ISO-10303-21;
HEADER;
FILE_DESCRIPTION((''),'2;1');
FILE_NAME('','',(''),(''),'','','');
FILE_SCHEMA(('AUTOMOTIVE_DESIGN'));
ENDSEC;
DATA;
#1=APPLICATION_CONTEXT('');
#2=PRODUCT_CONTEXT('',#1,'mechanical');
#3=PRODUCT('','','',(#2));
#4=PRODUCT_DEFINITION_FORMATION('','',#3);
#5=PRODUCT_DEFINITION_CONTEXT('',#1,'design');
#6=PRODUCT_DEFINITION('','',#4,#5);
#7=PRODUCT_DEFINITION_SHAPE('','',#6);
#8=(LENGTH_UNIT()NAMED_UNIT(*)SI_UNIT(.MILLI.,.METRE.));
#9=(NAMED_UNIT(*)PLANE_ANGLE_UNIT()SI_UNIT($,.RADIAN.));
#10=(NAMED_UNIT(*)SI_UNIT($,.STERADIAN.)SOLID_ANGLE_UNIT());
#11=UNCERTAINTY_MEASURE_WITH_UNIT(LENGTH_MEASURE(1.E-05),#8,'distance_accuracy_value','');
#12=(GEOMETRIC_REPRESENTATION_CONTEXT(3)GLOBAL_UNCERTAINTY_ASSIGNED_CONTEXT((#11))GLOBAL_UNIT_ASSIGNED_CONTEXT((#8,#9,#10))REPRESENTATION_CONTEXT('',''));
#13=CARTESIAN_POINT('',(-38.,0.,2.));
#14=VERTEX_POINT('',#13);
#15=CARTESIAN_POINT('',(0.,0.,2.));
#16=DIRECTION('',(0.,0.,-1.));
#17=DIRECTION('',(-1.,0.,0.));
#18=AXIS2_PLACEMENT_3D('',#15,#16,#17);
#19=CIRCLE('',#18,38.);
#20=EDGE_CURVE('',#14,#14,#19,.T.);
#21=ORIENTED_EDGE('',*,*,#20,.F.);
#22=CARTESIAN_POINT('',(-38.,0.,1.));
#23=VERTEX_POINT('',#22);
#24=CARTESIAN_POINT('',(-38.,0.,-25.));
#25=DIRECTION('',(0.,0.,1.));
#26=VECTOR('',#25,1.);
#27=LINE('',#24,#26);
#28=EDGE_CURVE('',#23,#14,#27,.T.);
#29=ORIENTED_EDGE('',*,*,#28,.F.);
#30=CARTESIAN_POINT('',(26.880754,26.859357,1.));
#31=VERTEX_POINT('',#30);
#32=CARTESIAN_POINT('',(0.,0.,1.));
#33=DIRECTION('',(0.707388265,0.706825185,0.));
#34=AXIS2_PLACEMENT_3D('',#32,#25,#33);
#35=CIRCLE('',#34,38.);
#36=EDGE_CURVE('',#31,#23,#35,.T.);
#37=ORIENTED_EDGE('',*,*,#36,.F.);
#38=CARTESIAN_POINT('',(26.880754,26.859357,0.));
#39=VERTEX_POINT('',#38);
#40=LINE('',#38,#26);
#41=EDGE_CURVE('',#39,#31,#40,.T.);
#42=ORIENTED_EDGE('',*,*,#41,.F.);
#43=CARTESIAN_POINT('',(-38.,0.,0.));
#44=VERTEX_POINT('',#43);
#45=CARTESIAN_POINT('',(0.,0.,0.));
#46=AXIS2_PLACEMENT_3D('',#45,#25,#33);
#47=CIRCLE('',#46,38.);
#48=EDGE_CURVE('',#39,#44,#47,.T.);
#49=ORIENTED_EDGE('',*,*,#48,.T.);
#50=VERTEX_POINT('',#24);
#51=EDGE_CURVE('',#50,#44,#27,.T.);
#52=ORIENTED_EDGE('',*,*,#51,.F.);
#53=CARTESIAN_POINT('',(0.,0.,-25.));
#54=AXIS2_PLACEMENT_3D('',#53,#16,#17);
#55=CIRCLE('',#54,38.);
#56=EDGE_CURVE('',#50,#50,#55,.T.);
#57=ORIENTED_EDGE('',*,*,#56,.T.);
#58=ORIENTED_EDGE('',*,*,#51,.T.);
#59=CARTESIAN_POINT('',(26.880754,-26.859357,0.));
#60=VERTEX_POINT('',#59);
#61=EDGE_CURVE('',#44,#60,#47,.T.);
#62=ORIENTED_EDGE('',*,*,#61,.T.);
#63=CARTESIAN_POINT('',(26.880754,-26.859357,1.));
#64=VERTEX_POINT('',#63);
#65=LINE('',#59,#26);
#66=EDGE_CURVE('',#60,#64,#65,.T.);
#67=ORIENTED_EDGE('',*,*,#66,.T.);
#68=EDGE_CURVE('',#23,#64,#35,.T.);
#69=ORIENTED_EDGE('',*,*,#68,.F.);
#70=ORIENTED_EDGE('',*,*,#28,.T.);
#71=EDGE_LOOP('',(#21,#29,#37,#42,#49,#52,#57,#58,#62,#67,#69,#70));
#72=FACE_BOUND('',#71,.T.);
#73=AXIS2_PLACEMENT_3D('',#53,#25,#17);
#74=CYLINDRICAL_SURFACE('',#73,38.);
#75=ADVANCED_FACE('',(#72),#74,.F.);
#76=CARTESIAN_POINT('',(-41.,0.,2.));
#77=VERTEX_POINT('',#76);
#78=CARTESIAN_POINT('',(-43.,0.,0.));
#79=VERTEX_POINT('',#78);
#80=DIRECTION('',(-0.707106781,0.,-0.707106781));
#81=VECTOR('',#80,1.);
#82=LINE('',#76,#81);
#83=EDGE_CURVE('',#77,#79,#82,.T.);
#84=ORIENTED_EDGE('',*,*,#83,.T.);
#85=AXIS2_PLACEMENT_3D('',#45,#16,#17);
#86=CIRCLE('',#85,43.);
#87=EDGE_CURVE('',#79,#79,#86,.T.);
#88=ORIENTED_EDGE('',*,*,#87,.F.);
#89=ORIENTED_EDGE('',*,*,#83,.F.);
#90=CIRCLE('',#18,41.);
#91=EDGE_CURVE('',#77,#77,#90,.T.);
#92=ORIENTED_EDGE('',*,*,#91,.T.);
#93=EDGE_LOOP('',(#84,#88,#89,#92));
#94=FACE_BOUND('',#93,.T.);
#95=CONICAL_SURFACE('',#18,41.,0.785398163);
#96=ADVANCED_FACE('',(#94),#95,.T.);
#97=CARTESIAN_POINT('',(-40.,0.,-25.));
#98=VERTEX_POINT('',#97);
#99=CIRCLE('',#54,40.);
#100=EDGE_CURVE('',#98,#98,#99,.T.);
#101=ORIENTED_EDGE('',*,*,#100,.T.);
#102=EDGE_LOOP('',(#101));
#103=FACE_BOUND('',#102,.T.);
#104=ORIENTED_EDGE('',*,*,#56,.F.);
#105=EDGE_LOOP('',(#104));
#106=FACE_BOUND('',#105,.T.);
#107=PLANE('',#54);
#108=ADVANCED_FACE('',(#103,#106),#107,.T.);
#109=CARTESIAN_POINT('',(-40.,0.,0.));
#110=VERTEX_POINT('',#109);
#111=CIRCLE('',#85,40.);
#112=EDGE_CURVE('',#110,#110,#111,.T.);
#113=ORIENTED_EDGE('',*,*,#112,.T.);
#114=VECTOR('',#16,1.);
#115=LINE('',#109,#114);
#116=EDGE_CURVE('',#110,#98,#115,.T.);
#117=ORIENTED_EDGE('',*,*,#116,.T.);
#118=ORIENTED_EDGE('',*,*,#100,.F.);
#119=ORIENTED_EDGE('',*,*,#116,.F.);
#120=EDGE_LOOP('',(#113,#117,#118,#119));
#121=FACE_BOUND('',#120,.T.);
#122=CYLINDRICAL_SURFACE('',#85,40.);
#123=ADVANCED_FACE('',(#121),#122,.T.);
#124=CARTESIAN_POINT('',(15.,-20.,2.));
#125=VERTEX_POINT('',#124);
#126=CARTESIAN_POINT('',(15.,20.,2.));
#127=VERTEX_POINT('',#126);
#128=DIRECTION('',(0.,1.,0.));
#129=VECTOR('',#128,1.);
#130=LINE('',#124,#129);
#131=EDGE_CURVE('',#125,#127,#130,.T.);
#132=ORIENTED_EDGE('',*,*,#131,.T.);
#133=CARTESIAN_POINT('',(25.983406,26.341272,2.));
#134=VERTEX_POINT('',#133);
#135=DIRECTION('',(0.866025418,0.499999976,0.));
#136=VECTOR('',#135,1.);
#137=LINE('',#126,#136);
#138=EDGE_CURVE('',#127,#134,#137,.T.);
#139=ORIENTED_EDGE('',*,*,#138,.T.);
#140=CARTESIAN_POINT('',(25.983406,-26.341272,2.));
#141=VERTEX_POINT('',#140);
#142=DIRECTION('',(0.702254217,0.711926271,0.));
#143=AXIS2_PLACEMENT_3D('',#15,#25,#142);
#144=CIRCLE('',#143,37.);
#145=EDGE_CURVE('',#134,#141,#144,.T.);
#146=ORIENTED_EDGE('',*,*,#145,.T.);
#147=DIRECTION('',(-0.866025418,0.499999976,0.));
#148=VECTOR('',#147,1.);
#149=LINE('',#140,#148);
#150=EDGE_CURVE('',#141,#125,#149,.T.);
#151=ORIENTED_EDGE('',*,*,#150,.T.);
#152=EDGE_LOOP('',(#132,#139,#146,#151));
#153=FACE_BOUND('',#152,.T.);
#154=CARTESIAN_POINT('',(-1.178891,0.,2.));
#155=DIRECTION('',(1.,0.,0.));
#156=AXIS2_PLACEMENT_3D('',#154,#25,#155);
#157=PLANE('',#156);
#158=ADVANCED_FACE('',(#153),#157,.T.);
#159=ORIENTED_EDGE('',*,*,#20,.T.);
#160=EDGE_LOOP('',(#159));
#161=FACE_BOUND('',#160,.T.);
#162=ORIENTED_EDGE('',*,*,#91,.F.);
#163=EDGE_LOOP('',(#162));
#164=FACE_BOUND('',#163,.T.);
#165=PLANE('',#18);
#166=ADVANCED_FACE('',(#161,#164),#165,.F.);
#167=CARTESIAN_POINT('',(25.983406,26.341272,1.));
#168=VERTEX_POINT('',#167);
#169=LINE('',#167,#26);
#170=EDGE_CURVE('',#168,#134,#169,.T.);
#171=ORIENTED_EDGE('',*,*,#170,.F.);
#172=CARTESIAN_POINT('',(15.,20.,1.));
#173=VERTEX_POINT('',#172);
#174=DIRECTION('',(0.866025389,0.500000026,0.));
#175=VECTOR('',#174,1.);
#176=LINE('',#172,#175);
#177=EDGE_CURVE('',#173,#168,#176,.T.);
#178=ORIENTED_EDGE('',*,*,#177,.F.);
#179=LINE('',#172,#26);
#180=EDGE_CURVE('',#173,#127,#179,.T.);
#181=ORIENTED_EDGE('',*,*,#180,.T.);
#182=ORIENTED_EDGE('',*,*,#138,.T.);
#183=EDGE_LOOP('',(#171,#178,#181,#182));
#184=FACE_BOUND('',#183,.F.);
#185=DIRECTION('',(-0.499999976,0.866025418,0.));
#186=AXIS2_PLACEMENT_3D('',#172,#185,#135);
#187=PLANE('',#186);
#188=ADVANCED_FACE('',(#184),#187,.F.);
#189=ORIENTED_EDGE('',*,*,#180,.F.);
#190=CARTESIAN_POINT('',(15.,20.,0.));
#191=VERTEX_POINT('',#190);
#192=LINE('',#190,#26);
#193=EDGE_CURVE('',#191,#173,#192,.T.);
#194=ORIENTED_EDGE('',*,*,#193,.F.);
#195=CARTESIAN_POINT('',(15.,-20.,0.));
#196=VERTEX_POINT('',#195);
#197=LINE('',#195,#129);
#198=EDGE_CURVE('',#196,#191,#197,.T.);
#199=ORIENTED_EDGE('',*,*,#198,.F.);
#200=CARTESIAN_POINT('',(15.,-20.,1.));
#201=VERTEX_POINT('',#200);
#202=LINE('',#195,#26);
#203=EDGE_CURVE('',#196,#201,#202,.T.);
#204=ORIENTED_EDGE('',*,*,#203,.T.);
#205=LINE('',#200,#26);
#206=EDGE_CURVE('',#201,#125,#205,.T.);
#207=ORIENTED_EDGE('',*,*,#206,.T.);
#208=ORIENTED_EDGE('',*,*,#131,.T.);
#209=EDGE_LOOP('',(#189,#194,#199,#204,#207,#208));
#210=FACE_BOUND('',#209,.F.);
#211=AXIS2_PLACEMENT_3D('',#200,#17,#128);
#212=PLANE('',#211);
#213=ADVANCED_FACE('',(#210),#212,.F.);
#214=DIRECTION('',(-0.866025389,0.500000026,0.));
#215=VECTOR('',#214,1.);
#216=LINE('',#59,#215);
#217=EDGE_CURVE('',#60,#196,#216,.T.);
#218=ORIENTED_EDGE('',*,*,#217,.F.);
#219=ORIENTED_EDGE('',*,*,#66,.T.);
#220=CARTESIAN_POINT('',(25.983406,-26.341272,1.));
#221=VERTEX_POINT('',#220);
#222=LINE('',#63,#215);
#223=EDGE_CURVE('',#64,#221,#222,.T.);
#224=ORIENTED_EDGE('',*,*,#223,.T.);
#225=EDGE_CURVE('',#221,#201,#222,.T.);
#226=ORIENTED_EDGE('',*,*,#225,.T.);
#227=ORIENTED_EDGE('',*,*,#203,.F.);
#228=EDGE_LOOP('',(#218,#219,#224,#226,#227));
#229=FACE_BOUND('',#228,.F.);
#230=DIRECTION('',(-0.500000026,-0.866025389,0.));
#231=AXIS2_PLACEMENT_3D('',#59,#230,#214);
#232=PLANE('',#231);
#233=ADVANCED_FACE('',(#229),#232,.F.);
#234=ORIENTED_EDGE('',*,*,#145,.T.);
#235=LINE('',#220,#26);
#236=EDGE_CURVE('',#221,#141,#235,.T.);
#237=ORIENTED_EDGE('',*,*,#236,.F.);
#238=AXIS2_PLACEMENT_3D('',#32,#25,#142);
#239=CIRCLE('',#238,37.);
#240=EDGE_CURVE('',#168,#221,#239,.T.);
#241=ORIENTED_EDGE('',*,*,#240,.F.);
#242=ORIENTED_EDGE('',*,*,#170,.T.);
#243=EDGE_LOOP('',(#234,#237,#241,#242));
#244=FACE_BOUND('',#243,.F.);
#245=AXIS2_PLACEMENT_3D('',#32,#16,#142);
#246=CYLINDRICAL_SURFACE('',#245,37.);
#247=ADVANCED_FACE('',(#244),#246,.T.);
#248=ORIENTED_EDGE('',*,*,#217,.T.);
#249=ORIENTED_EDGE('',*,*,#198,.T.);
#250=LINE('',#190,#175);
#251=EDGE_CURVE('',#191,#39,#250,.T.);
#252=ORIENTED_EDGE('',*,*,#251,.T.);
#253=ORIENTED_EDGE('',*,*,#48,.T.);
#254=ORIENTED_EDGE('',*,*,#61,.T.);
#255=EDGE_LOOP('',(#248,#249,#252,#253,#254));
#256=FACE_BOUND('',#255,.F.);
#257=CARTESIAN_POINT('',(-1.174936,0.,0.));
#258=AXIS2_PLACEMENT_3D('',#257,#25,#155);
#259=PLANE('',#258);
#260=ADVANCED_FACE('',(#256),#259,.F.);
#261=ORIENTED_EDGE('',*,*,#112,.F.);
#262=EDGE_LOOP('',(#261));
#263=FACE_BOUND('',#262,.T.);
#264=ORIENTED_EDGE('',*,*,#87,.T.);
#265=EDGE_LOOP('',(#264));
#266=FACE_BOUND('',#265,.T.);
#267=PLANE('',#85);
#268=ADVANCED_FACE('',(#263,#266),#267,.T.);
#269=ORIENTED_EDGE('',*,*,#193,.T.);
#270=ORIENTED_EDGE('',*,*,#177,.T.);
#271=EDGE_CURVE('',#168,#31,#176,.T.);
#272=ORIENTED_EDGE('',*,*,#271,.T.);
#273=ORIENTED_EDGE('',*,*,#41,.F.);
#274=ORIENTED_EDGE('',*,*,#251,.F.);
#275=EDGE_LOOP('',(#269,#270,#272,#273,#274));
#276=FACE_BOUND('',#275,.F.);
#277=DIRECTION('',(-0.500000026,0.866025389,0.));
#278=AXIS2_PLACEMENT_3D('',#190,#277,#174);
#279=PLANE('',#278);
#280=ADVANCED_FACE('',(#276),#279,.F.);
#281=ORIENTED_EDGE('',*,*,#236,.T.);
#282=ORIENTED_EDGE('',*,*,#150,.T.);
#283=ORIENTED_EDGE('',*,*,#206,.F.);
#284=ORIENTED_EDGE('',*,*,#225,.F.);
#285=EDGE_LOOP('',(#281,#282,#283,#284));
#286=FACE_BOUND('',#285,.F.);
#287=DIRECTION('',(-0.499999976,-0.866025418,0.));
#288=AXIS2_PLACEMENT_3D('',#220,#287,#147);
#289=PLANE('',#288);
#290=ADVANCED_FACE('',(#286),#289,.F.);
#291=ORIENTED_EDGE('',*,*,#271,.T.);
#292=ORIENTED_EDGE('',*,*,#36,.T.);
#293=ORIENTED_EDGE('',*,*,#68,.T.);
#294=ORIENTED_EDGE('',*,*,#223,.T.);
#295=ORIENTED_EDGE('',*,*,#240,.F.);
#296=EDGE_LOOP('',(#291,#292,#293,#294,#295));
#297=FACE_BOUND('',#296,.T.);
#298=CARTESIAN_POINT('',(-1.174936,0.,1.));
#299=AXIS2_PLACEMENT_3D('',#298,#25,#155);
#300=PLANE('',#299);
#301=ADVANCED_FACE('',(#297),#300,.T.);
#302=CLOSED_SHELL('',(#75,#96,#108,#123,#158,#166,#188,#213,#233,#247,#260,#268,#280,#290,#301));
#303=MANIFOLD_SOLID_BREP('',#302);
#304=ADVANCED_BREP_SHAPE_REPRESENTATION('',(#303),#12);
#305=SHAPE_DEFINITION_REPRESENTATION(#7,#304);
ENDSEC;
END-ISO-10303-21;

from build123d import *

# Parameters (mm, degrees)
F3_DEPTH = 1
F5_DEPTH = 1


with BuildPart() as f1:
    # F0 (on Front) → F1 (revolve)
    with BuildSketch(Plane.XZ):
        Polygon((-38, -25), (-38, 2), (-41, 2), (-43, 0), (-40, 0), (-40, -25), align=None)
    revolve(axis=Axis((0, 0, -43.882875), (0, 0, -1)))

    # F2 (on Top) → F3 (join)
    with BuildSketch(Plane.XY):
        with BuildLine():
            Line((15, 20), (26.880754, 26.859357))
            ThreePointArc((26.880754, 26.859357), (-38, 0), (26.880754, -26.859357))
            Line((26.880754, -26.859357), (15, -20))
            Line((15, -20), (15, 20))
        make_face()
    extrude(amount=F3_DEPTH)

    # F4 (on face) → F5 (join, through all)
    with BuildSketch(Plane.XY.offset(1)):
        with BuildLine():
            Line((15, 20), (25.983406, 26.341272))
            ThreePointArc((25.983406, 26.341272), (-37, 0), (25.983406, -26.341272))
            Line((25.983406, -26.341272), (15, -20))
            Line((15, -20), (15, 20))
        make_face()
    extrude(amount=F5_DEPTH)


solid = f1.part
